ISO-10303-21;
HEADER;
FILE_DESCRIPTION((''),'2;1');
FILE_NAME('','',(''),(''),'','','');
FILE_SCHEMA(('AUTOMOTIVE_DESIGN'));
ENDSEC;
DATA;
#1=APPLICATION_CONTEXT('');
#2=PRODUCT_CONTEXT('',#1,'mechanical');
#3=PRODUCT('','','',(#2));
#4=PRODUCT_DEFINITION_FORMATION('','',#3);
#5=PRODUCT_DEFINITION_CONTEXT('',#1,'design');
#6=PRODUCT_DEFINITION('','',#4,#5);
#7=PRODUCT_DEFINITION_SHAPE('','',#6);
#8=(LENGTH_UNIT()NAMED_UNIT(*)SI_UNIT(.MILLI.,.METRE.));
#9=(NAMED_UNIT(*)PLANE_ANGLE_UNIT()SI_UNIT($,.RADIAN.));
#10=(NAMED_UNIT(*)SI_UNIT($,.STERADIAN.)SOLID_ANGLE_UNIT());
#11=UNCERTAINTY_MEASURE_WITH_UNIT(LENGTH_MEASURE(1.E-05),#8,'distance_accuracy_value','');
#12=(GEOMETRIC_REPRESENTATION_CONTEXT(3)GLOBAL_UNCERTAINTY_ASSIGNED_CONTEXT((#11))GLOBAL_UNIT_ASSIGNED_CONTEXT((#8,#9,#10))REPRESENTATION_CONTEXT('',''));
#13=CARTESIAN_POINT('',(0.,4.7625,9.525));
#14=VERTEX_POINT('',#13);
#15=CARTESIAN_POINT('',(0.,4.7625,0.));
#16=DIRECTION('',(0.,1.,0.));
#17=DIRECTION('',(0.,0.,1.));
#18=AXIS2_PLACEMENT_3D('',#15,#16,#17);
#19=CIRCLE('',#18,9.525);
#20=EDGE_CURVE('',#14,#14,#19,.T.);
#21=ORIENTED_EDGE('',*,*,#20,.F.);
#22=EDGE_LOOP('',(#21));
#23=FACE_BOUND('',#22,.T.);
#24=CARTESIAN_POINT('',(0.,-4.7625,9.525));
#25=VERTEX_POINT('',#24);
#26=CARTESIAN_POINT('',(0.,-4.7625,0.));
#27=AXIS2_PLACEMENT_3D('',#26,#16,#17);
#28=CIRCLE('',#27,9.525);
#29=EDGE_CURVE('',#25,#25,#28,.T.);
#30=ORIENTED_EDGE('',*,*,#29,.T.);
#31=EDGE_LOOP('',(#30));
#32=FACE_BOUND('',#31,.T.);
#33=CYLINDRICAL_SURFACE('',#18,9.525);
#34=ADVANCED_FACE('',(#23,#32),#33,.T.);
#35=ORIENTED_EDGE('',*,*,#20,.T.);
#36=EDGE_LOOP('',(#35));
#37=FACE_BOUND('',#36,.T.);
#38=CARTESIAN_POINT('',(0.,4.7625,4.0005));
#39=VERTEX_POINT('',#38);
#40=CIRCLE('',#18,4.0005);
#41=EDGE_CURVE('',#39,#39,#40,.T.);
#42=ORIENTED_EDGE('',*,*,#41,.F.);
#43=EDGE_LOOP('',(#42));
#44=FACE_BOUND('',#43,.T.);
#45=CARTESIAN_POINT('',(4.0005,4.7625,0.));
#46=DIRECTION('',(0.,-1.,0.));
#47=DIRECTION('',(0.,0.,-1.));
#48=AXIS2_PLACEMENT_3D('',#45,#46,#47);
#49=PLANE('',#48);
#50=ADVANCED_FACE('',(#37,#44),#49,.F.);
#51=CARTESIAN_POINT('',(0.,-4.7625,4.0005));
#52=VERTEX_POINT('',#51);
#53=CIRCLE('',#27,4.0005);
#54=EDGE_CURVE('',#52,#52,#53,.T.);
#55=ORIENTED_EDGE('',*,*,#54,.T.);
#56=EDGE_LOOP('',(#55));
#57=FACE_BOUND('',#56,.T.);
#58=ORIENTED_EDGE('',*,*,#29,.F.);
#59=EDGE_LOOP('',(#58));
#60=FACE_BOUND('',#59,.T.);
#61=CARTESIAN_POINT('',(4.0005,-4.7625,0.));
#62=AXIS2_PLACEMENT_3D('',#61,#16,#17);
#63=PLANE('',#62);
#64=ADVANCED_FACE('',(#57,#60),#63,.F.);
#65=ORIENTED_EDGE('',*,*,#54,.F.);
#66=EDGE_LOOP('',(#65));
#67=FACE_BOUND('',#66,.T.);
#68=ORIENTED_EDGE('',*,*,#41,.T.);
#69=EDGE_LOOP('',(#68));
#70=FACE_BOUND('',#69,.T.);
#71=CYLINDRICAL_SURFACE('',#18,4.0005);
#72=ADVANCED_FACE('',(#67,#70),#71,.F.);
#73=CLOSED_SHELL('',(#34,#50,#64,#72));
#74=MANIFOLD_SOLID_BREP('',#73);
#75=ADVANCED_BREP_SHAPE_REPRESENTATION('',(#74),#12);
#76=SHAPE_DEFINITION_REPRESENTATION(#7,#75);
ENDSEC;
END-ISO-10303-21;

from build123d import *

# Parameters (mm, degrees)
SKETCH1_W = 5.5245
SKETCH1_H = 9.525


with BuildPart() as part:
    # Sketch1 → Revolve1 (revolve)
    with BuildSketch(Plane.XY):
        with Locations((6.76275, 0)):
            Rectangle(SKETCH1_W, SKETCH1_H)
    revolve(axis=Axis((0, 4.7625, 0), (0, -1, 0)))


solid = part.part
